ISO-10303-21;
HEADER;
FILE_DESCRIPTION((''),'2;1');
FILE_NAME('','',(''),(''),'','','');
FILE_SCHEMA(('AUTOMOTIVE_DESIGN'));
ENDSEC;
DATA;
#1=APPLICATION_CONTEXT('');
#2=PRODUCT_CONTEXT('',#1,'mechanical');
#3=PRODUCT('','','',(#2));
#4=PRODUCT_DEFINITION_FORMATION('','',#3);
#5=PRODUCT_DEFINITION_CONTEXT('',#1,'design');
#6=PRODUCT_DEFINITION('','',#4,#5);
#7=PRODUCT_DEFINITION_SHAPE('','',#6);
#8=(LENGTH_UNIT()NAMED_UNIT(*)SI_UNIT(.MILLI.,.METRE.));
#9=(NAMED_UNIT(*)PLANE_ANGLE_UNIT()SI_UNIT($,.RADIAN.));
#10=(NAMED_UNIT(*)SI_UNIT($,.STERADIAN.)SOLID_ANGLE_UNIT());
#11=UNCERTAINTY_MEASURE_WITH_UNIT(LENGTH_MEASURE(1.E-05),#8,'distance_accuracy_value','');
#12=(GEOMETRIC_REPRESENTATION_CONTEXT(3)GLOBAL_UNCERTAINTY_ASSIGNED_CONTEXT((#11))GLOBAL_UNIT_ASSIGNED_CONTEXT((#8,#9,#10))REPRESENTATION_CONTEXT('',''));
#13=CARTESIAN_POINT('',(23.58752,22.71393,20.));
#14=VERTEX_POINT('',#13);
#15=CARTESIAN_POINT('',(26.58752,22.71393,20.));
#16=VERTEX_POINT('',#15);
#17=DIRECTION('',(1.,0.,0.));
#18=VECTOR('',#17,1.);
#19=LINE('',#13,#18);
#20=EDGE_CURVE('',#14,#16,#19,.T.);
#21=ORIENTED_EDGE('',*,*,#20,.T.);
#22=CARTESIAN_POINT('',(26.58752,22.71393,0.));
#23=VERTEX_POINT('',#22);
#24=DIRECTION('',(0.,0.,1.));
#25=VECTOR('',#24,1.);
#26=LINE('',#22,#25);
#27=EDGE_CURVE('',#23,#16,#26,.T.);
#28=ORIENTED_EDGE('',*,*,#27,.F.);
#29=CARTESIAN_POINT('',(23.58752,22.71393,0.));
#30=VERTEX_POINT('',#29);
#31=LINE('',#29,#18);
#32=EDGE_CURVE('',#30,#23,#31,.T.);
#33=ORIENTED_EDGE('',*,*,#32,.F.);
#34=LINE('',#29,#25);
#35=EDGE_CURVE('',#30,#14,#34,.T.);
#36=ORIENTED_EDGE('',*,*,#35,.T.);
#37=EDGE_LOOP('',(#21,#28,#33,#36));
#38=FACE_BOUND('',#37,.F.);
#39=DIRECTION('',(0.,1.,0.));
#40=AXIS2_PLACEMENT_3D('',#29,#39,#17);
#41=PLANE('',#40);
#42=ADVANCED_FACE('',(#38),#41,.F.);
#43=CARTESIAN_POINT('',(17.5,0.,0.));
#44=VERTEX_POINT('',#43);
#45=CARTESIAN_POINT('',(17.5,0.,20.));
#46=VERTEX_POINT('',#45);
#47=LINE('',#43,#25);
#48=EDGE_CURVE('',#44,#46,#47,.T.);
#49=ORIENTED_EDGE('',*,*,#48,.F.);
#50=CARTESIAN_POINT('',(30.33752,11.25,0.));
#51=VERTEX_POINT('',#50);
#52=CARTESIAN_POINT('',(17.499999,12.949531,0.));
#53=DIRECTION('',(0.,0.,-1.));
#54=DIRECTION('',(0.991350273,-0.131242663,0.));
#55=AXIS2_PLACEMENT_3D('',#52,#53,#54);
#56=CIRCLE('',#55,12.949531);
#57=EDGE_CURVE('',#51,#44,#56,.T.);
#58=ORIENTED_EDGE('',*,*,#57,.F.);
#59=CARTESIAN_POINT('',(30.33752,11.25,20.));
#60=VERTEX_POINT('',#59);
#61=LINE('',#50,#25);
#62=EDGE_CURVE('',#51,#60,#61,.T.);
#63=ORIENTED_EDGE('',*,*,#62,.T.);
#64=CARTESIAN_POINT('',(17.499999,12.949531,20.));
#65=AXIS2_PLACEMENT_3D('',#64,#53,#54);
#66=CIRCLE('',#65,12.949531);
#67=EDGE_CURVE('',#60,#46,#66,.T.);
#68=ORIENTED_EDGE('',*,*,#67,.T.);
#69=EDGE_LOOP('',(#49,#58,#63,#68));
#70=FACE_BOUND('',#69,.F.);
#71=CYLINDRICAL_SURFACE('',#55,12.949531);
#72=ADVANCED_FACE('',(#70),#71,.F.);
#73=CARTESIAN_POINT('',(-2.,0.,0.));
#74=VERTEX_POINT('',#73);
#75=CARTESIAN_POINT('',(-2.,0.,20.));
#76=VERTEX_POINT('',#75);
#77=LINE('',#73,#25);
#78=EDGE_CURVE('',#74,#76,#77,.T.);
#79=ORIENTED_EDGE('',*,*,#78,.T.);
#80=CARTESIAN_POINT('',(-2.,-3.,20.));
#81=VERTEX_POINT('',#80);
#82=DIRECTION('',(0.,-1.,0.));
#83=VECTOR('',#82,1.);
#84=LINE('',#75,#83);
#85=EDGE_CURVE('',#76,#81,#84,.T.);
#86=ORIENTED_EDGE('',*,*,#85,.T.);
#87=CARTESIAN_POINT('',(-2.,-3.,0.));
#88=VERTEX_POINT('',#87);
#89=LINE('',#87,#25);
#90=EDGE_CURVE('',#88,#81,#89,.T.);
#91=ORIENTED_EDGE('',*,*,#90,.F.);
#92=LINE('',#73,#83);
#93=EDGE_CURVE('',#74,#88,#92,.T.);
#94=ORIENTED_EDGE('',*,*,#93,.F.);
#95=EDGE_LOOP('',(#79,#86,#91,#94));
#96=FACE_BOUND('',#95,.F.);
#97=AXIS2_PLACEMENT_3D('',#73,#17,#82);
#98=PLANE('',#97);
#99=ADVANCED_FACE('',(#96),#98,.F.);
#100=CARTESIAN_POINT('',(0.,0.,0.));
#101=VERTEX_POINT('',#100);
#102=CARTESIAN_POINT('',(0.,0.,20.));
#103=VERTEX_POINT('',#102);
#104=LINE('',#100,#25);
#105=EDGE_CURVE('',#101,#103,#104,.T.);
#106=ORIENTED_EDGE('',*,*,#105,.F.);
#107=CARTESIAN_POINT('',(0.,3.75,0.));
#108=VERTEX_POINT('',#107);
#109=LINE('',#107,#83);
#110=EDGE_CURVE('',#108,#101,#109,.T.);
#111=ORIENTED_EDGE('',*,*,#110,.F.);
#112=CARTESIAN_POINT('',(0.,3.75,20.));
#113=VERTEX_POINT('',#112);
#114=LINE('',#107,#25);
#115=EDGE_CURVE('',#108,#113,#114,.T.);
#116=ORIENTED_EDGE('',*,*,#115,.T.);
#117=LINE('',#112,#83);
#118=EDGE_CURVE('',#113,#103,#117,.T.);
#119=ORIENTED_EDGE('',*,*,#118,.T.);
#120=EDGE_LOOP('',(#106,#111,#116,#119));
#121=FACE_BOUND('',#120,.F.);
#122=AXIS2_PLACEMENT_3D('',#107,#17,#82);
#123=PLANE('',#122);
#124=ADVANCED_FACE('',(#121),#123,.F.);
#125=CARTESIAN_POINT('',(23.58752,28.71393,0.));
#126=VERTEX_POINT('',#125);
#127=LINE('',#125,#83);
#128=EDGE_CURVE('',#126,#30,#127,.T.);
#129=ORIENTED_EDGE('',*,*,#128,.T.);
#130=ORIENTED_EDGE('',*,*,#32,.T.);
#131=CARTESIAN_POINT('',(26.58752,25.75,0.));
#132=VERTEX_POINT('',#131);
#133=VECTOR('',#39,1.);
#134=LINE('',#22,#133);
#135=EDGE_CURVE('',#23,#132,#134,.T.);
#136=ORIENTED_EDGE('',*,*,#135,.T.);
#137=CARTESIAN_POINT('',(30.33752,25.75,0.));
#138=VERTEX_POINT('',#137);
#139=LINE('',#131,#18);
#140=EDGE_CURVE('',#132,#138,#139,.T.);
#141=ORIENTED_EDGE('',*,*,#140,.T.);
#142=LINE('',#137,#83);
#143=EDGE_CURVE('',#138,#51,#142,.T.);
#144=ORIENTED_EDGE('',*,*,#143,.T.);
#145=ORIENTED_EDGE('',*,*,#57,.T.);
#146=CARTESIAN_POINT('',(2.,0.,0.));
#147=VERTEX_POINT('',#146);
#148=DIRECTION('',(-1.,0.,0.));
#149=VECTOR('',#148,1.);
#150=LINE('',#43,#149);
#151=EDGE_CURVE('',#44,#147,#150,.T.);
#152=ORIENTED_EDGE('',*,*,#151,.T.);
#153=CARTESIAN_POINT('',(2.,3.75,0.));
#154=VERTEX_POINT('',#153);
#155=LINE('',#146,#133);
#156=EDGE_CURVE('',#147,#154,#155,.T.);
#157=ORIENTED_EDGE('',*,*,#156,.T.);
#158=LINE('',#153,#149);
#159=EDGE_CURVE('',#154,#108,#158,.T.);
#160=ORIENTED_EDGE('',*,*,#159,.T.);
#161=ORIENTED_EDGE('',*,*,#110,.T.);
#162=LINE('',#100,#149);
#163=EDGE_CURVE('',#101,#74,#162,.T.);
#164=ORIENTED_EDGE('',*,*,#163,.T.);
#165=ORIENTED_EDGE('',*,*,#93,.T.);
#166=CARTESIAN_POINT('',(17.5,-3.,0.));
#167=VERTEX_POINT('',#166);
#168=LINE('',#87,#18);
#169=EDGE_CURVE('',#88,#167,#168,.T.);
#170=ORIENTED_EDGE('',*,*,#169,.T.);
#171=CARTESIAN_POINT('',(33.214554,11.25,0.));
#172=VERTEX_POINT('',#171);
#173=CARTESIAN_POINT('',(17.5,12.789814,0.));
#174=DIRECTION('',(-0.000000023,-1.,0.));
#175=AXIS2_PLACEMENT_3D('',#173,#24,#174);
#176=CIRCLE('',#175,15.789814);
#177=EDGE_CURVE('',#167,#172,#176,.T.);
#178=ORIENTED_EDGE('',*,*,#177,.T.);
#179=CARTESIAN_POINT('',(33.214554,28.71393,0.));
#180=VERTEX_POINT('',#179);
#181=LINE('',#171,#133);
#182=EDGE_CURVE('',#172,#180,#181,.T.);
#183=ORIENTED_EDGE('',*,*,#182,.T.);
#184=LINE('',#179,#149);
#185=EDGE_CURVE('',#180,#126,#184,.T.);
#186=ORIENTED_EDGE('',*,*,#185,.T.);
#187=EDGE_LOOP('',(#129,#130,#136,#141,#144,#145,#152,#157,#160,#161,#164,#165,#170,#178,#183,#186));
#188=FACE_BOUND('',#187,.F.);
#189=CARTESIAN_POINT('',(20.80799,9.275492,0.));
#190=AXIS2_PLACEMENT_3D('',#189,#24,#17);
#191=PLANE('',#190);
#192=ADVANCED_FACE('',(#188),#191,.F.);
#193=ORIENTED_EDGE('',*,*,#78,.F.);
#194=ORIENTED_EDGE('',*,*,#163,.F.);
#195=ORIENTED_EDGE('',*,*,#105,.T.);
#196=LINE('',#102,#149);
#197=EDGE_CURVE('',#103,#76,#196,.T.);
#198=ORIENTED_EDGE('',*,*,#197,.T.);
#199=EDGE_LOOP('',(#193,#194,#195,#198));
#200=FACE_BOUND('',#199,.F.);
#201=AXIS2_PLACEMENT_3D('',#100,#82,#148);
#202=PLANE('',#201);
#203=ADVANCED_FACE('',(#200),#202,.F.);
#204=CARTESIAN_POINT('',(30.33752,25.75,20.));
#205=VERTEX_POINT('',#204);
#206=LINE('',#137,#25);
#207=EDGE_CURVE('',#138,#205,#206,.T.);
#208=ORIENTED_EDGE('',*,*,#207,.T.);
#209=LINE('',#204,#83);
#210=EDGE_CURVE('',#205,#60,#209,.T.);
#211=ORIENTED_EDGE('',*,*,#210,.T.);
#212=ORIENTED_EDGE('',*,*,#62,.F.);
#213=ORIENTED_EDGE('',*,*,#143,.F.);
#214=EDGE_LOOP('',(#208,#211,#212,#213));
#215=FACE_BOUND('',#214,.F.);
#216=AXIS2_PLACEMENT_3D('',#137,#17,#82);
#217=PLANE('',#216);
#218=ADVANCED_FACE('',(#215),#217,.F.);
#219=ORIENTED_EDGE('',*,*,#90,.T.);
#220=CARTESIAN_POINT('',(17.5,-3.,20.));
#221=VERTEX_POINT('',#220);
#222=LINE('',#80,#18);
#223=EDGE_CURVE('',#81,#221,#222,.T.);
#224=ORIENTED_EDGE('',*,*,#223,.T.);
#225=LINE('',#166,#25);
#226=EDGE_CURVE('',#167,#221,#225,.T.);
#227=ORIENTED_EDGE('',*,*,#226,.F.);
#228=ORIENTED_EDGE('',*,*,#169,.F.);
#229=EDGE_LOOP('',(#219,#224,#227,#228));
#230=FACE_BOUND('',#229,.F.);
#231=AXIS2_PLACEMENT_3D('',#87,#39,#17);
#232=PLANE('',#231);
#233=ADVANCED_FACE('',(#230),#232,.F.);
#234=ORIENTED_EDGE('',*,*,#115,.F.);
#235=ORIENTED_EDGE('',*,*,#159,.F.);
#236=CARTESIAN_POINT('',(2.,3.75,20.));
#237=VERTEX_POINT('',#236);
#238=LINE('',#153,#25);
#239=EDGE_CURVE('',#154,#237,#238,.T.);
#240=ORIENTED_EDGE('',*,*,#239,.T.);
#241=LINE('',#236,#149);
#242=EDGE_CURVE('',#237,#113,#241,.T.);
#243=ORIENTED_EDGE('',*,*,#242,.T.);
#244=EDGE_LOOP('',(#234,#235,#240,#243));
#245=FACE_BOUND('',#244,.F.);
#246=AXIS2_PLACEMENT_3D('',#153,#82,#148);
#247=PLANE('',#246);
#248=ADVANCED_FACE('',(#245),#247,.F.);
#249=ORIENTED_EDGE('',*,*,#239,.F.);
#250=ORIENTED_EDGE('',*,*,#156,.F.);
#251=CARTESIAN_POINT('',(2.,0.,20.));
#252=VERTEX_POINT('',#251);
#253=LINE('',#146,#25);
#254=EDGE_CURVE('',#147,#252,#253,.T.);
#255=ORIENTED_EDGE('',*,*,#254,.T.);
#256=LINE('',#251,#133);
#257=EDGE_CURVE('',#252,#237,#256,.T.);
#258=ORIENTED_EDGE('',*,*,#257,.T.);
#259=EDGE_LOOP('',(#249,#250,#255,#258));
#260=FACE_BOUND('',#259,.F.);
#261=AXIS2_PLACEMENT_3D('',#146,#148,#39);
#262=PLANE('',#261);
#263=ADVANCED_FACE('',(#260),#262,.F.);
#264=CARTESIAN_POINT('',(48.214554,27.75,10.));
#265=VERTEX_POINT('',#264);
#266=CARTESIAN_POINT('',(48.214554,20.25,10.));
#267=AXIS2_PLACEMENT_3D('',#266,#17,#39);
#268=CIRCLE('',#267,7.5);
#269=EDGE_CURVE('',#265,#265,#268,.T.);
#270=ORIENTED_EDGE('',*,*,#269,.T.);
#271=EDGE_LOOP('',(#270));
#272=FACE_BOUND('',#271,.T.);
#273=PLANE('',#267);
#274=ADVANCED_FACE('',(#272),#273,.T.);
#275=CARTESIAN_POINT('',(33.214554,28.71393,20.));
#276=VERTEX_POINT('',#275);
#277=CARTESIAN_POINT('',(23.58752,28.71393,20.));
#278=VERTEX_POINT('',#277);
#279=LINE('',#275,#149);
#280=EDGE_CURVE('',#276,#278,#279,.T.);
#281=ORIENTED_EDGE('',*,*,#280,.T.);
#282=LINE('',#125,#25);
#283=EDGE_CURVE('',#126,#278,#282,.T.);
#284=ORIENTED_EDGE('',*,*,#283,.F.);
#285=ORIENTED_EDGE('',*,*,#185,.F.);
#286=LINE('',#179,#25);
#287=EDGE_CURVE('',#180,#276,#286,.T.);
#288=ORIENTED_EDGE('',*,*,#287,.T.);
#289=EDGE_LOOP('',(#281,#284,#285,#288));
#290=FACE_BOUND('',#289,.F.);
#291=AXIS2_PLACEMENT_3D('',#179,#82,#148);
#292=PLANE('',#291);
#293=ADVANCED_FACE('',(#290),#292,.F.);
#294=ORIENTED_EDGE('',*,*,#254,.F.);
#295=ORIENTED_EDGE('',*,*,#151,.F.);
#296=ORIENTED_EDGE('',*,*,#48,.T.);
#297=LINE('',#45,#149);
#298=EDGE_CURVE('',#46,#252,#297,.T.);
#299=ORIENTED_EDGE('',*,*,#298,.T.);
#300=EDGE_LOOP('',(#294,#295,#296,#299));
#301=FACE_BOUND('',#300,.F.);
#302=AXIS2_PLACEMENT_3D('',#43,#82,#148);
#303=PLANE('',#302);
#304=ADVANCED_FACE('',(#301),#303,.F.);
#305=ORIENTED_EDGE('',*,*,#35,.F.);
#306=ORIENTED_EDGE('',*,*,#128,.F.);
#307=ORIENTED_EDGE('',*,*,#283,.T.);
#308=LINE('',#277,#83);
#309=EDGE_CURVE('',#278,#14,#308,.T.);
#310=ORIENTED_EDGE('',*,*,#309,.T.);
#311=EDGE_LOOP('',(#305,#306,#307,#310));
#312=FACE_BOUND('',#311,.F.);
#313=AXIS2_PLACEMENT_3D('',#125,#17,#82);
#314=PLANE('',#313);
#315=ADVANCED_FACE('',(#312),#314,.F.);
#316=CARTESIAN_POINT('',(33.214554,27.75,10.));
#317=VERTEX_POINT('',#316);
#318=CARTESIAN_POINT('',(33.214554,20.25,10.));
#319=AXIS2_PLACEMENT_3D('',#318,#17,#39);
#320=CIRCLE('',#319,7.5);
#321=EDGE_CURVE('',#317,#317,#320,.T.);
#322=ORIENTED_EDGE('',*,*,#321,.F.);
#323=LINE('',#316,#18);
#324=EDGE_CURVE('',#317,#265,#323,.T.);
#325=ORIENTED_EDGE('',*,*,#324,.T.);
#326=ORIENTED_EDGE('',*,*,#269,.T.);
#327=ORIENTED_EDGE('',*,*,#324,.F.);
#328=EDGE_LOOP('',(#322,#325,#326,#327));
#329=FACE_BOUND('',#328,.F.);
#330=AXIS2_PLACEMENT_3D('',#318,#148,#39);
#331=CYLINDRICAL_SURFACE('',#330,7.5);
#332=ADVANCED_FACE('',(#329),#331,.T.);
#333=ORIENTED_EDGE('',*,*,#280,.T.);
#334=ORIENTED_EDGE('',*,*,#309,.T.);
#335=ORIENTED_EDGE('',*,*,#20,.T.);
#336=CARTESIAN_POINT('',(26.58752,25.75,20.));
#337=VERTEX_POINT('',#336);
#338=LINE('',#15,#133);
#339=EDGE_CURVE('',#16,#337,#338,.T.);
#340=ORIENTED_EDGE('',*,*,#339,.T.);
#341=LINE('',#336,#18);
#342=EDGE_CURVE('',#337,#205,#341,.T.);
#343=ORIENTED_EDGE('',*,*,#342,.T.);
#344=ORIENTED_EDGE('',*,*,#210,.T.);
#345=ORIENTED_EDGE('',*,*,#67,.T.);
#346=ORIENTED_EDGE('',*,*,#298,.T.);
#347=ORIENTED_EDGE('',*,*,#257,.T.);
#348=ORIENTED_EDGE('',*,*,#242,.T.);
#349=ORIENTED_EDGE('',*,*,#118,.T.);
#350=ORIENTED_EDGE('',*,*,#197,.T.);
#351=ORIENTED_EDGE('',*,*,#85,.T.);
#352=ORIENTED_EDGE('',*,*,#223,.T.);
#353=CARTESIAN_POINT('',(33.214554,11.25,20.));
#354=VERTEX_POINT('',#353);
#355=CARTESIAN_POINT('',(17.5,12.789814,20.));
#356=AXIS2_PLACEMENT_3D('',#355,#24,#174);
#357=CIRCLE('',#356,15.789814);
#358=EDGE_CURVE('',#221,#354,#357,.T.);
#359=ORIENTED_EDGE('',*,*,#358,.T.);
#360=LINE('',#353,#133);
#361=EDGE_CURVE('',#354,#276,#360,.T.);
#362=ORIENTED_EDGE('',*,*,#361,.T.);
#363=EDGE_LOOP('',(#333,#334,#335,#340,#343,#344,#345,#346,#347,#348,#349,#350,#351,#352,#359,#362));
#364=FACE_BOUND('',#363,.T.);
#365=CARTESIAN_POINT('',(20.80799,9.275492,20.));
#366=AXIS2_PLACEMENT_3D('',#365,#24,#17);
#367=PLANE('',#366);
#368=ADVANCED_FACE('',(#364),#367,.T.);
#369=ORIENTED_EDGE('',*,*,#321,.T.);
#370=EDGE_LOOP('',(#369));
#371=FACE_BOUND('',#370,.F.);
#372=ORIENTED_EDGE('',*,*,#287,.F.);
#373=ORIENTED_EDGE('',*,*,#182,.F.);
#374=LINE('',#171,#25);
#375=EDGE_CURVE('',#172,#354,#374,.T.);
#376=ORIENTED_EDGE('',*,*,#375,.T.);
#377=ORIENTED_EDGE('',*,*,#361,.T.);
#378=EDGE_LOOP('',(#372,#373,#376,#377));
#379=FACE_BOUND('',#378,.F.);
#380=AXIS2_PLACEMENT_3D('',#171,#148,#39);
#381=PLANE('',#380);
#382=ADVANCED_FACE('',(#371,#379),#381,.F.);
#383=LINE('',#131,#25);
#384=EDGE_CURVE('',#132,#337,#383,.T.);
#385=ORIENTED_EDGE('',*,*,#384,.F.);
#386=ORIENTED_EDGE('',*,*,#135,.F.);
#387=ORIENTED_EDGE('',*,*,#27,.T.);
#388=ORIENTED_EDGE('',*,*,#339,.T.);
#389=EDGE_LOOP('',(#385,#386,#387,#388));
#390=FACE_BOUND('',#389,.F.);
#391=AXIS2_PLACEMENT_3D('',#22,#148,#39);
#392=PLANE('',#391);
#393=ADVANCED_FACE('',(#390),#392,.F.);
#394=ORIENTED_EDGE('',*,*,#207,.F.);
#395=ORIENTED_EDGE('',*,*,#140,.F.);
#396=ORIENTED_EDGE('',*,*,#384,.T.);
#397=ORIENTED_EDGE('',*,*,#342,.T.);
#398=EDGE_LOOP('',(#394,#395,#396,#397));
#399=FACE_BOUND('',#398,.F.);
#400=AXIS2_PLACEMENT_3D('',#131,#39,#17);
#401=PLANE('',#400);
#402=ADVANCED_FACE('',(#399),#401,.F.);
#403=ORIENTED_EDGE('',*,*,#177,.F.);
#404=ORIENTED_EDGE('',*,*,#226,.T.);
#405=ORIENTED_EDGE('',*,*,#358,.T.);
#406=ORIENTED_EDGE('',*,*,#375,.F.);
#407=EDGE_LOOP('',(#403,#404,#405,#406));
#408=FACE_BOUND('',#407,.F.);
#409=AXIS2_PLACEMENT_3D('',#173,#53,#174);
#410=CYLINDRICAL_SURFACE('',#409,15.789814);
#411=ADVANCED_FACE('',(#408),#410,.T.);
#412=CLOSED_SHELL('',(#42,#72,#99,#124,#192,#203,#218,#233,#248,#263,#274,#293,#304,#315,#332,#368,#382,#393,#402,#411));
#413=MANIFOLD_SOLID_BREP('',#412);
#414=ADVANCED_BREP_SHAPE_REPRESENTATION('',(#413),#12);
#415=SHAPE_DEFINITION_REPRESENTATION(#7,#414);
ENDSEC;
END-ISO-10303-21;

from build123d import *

# Parameters (mm, degrees)
F1_DEPTH = 20
F2_R     = 7.5
F3_DEPTH = 15


with BuildPart() as f1:
    # F0 (on Top) → F1 (new body)
    with BuildSketch(Plane.XY):
        with BuildLine():
            Line((2, 3.75), (0, 3.75))
            Line((0, 3.75), (0, 0))
            Line((0, 0), (-2, 0))
            Line((-2, 0), (-2, -3))
            Line((-2, -3), (0, -3))
            Line((0, -3), (17.5, -3))
            ThreePointArc((17.5, -3), (28.106716, 1.092985), (33.214554, 11.25))
            Line((33.214554, 11.25), (33.214554, 28.71393))
            Line((33.214554, 28.71393), (23.58752, 28.71393))
            Line((23.58752, 28.71393), (23.58752, 22.71393))
            Line((23.58752, 22.71393), (26.58752, 22.71393))
            Line((26.58752, 22.71393), (26.58752, 25.75))
            Line((26.58752, 25.75), (30.33752, 25.75))
            Line((30.33752, 25.75), (30.33752, 11.25))
            ThreePointArc((30.33752, 11.25), (26.0347, 3.210474), (17.5, 0))
            Line((17.5, 0), (2, 0))
            Line((2, 0), (2, 3.75))
        make_face()
    extrude(amount=F1_DEPTH)

    # F2 (on face) → F3 (join)
    with BuildSketch(Plane.YZ.offset(33.214554)):
        with Locations((20.25, 10)):
            Circle(F2_R)
    extrude(amount=F3_DEPTH)


solid = f1.part
